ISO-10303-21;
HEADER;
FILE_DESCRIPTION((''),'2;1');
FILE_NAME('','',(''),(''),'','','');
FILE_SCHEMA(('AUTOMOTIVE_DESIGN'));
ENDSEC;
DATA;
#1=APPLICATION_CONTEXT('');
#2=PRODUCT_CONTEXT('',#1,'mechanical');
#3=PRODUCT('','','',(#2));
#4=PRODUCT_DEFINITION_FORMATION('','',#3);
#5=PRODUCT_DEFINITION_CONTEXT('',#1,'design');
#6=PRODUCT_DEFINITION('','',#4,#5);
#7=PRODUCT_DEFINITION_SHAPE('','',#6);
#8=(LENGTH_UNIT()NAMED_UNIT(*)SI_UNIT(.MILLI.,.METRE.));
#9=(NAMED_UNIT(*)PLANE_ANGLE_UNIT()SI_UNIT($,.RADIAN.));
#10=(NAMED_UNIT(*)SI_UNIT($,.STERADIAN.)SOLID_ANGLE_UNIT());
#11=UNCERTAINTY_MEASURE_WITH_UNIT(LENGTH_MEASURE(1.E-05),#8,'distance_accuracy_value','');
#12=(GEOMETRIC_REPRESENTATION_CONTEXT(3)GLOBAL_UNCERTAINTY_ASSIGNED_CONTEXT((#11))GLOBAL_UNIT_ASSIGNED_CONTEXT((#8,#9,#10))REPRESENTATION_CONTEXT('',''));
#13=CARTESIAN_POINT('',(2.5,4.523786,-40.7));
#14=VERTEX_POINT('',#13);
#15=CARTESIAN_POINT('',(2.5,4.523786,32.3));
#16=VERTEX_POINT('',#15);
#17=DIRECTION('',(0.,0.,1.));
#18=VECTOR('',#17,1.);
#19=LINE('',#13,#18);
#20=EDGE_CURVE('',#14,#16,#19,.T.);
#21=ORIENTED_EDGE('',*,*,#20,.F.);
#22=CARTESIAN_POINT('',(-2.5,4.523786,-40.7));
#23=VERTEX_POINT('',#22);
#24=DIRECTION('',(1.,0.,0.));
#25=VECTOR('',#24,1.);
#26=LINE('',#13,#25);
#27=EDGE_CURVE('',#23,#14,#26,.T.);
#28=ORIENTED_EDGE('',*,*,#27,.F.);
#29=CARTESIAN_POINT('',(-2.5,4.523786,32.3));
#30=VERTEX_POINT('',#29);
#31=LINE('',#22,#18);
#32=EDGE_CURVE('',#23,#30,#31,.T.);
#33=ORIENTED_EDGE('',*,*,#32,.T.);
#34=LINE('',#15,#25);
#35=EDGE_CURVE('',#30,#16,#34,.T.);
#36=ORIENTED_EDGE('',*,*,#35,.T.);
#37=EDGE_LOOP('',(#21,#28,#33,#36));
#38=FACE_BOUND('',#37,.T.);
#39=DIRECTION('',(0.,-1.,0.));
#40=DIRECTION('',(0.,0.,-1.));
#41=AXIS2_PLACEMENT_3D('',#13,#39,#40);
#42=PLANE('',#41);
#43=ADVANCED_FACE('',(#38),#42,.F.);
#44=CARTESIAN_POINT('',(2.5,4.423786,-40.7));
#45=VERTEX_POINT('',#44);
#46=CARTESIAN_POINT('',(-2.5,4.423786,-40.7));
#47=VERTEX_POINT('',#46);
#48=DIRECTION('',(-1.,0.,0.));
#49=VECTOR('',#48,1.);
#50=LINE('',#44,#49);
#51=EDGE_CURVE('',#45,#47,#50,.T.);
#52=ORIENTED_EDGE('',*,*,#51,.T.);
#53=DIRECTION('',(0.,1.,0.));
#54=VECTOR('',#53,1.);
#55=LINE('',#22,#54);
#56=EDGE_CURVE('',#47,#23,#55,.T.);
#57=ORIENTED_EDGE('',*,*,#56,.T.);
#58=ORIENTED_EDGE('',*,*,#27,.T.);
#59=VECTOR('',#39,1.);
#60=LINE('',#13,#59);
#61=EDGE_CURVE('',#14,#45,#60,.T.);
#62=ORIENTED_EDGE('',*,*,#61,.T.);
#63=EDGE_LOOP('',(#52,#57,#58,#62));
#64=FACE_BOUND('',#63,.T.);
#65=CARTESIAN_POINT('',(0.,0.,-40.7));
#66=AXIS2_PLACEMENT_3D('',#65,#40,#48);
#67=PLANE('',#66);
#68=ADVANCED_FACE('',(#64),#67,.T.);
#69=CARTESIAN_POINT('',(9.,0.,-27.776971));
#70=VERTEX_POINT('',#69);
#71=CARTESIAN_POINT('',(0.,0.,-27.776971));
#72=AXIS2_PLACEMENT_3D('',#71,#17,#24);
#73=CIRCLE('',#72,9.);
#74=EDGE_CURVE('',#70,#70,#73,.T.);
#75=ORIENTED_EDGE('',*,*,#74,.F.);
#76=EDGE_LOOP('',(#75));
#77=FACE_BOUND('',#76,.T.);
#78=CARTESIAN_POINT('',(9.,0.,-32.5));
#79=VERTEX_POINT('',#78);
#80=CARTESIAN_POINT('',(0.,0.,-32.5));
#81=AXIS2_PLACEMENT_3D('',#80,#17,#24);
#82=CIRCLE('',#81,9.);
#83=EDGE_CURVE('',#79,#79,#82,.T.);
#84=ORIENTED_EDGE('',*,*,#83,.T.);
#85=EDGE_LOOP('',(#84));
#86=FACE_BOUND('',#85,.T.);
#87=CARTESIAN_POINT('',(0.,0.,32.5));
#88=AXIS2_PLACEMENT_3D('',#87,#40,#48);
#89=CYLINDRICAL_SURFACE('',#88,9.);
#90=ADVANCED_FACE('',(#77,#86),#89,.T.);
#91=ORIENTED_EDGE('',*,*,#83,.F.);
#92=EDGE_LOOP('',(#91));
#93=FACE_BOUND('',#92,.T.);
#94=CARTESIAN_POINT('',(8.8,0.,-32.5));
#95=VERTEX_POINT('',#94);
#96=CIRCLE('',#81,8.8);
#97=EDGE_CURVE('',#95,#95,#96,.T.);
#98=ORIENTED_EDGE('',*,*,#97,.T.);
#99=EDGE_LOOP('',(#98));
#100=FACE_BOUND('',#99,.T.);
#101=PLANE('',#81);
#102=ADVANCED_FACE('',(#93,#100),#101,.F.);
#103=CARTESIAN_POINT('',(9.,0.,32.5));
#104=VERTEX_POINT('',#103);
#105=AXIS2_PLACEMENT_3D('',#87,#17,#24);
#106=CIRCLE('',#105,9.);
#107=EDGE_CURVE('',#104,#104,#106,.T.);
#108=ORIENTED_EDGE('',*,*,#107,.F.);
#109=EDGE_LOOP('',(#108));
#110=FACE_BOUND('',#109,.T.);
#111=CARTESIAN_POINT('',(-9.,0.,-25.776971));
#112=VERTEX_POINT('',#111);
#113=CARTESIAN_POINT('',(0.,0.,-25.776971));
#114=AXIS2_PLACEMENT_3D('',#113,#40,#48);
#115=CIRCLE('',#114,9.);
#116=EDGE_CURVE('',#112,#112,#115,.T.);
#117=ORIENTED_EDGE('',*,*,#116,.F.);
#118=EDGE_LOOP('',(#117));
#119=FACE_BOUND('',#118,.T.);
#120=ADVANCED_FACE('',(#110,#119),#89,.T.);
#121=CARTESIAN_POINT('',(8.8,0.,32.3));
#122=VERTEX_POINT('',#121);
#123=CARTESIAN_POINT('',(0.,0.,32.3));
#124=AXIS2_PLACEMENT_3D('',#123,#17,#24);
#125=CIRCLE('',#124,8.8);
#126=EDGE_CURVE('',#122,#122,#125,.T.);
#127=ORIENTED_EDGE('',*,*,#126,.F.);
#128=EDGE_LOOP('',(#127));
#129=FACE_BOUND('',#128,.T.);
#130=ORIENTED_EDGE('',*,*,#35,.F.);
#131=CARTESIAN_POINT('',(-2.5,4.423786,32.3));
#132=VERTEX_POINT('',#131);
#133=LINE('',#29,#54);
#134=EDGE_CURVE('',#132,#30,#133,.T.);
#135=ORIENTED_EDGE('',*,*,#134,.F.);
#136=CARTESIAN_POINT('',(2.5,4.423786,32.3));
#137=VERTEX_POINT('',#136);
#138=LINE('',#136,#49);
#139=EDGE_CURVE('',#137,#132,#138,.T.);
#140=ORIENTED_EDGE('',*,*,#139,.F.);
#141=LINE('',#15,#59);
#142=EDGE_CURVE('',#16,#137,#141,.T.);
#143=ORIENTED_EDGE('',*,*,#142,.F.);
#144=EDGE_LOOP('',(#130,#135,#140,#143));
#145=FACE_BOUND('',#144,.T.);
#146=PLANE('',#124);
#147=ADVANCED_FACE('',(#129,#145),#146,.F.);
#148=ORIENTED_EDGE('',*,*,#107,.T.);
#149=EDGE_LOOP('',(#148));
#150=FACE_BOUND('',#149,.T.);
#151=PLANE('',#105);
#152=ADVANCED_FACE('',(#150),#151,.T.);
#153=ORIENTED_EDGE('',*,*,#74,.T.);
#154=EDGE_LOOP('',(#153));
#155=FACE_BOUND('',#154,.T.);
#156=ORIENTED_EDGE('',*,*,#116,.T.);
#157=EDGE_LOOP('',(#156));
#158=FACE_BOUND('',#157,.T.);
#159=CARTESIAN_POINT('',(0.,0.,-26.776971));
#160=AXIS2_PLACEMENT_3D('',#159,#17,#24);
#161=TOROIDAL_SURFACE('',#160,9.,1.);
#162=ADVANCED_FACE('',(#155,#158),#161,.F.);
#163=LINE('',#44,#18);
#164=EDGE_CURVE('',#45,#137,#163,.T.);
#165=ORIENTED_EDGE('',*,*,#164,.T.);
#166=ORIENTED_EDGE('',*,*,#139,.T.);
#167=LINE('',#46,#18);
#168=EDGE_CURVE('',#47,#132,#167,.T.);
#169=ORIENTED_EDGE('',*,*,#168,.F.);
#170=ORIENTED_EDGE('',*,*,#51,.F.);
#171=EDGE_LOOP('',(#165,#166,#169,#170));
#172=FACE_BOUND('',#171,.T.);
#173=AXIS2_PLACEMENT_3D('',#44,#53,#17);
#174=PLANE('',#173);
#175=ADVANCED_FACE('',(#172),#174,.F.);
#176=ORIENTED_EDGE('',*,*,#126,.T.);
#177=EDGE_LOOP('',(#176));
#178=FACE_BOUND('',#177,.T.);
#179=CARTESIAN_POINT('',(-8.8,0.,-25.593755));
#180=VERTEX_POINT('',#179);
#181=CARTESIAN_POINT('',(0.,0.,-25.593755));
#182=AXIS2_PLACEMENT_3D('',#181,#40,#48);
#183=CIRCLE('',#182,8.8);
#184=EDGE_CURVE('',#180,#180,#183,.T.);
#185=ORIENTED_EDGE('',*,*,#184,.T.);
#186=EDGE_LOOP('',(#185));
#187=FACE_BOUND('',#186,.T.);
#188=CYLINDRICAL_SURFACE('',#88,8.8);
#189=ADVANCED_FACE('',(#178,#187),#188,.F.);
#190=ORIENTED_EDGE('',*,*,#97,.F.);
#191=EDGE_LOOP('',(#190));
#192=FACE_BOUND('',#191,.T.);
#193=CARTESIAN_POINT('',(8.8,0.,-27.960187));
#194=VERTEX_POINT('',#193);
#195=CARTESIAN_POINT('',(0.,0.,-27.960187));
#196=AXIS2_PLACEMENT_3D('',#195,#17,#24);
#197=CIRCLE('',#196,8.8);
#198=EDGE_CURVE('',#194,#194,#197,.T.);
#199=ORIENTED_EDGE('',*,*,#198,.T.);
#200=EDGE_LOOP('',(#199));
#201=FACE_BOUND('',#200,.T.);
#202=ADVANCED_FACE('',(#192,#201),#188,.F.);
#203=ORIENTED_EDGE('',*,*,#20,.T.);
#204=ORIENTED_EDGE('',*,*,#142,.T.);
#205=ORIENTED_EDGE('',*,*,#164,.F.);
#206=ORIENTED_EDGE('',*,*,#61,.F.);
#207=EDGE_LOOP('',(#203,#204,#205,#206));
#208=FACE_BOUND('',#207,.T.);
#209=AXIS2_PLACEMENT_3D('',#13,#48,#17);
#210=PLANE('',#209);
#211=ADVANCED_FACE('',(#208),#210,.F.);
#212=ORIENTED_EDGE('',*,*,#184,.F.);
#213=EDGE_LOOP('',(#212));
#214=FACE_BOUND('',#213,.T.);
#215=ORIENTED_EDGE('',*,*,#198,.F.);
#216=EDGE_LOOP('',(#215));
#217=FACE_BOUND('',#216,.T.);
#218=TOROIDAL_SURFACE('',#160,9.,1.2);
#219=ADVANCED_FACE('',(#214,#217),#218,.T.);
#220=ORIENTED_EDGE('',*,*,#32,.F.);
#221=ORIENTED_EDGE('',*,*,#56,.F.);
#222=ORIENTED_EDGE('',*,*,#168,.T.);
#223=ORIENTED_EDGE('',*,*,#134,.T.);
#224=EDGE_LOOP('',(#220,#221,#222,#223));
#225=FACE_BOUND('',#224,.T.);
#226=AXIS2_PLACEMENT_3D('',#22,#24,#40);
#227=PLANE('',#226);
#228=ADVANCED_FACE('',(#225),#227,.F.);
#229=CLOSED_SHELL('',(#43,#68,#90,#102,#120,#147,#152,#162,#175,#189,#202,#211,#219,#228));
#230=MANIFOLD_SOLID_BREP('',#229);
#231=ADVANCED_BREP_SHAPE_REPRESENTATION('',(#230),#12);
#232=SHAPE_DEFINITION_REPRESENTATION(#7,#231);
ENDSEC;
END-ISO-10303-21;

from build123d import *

# Parameters (mm, degrees)
SKETCH_2_R      = 9
EXTRUDE_1_DEPTH = 32.5
SKETCH_3_R      = 1
SHELL_1_T       = -0.2
SKETCH_4_W      = 5
SKETCH_4_H      = 0.1
EXTRUDE_2_DEPTH = 73


with BuildPart() as part:
    # 草图2 → 凸台-拉伸1 (new, symmetric)
    with BuildSketch(Plane.XY):
        Circle(SKETCH_2_R)
    extrude(amount=EXTRUDE_1_DEPTH, both=True)

    # 草图3 → 切除-旋转1 (revolve, cut)
    with BuildSketch(Plane(origin=(0, 0, 0), x_dir=(1, 0, 0), z_dir=(0, 1, 0)), mode=Mode.PRIVATE) as cut_revolve_1_sk:
        with Locations((-9, 26.776971268)):
            Circle(SKETCH_3_R)
    revolve(cut_revolve_1_sk.sketch.rotate(Axis((0, 0, 0), (0, 0, -1)), 180), axis=Axis((0, 0, 0), (0, 0, -1)), mode=Mode.SUBTRACT)

    # 抽壳1
    shell_1_openings = [part.faces().sort_by_distance(p)[0] for p in [
        (0, 0, -32.5),
    ]]
    offset(amount=SHELL_1_T, openings=shell_1_openings, kind=Kind.INTERSECTION)

    # 草图4 → 凸台-拉伸2 (add)
    with BuildSketch(Plane(origin=(0, 0, 32.3), x_dir=(-1, 0, 0), z_dir=(0, 0, -1))):
        with Locations((0, 4.473785882)):
            Rectangle(SKETCH_4_W, SKETCH_4_H)
    extrude(amount=EXTRUDE_2_DEPTH)


solid = part.part
